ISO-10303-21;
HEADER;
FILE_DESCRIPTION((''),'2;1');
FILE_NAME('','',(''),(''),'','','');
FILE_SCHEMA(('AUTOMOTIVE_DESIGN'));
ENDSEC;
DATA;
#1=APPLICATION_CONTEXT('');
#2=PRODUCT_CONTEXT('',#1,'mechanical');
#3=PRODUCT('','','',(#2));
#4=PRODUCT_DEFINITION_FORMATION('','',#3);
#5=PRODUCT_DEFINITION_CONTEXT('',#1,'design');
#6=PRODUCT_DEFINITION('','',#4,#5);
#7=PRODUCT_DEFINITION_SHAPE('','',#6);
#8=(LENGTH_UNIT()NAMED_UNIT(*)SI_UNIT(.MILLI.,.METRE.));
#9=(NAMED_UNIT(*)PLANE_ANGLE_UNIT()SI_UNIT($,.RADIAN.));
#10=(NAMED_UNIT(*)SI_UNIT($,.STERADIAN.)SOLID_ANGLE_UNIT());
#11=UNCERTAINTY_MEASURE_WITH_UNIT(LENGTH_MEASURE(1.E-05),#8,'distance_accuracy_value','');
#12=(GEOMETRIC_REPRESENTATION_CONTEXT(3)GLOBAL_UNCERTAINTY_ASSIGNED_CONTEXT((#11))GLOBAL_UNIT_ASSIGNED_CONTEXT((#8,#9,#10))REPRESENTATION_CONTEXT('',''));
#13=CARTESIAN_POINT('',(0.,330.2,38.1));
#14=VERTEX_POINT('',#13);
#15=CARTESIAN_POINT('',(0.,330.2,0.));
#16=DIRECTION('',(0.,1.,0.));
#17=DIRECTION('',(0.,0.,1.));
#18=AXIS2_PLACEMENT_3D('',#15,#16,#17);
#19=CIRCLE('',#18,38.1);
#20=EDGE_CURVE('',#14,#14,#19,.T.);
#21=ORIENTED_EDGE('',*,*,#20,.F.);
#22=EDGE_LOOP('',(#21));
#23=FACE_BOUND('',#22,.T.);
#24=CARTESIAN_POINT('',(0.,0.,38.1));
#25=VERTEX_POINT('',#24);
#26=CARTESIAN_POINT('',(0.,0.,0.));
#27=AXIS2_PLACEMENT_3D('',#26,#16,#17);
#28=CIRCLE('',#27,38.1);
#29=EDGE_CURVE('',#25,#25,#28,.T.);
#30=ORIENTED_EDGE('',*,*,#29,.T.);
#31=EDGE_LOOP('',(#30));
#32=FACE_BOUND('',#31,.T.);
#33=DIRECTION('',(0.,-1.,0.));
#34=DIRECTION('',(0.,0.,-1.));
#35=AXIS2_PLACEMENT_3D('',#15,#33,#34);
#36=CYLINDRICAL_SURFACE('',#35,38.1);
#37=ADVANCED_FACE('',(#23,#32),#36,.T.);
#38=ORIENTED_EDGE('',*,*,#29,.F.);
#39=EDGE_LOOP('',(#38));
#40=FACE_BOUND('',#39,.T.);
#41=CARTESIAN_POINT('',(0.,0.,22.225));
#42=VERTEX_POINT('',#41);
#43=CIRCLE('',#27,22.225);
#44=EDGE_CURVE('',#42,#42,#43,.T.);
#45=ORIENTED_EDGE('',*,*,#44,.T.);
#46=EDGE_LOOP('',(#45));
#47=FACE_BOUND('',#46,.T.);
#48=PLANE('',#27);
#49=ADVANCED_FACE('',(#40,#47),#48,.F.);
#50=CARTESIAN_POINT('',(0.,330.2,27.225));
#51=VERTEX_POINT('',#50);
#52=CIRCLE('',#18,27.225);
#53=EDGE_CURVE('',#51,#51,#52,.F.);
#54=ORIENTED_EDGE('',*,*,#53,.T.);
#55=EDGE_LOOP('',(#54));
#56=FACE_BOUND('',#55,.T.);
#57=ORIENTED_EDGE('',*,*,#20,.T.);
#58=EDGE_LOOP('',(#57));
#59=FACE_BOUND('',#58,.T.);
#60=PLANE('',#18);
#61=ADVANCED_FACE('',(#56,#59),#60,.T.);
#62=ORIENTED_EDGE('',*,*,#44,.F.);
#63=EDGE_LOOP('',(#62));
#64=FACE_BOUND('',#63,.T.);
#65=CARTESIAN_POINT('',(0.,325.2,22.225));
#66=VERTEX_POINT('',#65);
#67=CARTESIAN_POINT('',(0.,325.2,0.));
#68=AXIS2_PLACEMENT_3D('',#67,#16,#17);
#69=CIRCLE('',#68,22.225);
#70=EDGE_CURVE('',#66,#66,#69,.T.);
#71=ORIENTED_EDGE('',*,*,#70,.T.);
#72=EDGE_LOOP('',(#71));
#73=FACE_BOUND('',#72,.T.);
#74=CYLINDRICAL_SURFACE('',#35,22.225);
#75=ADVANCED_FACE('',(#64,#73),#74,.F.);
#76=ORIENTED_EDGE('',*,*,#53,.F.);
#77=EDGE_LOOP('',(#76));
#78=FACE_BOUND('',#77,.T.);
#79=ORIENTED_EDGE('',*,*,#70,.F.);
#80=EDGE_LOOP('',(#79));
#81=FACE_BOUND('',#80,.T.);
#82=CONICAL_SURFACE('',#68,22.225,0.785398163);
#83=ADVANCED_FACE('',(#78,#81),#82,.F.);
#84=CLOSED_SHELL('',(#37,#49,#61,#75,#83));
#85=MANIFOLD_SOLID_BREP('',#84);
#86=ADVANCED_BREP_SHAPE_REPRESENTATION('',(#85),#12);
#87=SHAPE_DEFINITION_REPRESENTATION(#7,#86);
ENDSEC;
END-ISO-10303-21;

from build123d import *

# Parameters (mm, degrees)
SKETCH1_R           = 38.1
SKETCH1_R_2         = 22.225
BOSS_EXTRUDE1_DEPTH = 330.2
CHAMFER2_SIZE       = 5


with BuildPart() as part:
    # Sketch1 → Boss-Extrude1 (new body)
    with BuildSketch(Plane(origin=(0, 0, 0), x_dir=(1, 0, 0), z_dir=(0, 1, 0))):
        Circle(SKETCH1_R)
        Circle(SKETCH1_R_2, mode=Mode.SUBTRACT)
    extrude(amount=BOSS_EXTRUDE1_DEPTH)

    # Chamfer2
    chamfer2_edges = [part.edges().sort_by_distance(p)[0] for p in [
        (-22.225, 330.2, 0),
    ]]
    chamfer(chamfer2_edges, length=CHAMFER2_SIZE)


solid = part.part
